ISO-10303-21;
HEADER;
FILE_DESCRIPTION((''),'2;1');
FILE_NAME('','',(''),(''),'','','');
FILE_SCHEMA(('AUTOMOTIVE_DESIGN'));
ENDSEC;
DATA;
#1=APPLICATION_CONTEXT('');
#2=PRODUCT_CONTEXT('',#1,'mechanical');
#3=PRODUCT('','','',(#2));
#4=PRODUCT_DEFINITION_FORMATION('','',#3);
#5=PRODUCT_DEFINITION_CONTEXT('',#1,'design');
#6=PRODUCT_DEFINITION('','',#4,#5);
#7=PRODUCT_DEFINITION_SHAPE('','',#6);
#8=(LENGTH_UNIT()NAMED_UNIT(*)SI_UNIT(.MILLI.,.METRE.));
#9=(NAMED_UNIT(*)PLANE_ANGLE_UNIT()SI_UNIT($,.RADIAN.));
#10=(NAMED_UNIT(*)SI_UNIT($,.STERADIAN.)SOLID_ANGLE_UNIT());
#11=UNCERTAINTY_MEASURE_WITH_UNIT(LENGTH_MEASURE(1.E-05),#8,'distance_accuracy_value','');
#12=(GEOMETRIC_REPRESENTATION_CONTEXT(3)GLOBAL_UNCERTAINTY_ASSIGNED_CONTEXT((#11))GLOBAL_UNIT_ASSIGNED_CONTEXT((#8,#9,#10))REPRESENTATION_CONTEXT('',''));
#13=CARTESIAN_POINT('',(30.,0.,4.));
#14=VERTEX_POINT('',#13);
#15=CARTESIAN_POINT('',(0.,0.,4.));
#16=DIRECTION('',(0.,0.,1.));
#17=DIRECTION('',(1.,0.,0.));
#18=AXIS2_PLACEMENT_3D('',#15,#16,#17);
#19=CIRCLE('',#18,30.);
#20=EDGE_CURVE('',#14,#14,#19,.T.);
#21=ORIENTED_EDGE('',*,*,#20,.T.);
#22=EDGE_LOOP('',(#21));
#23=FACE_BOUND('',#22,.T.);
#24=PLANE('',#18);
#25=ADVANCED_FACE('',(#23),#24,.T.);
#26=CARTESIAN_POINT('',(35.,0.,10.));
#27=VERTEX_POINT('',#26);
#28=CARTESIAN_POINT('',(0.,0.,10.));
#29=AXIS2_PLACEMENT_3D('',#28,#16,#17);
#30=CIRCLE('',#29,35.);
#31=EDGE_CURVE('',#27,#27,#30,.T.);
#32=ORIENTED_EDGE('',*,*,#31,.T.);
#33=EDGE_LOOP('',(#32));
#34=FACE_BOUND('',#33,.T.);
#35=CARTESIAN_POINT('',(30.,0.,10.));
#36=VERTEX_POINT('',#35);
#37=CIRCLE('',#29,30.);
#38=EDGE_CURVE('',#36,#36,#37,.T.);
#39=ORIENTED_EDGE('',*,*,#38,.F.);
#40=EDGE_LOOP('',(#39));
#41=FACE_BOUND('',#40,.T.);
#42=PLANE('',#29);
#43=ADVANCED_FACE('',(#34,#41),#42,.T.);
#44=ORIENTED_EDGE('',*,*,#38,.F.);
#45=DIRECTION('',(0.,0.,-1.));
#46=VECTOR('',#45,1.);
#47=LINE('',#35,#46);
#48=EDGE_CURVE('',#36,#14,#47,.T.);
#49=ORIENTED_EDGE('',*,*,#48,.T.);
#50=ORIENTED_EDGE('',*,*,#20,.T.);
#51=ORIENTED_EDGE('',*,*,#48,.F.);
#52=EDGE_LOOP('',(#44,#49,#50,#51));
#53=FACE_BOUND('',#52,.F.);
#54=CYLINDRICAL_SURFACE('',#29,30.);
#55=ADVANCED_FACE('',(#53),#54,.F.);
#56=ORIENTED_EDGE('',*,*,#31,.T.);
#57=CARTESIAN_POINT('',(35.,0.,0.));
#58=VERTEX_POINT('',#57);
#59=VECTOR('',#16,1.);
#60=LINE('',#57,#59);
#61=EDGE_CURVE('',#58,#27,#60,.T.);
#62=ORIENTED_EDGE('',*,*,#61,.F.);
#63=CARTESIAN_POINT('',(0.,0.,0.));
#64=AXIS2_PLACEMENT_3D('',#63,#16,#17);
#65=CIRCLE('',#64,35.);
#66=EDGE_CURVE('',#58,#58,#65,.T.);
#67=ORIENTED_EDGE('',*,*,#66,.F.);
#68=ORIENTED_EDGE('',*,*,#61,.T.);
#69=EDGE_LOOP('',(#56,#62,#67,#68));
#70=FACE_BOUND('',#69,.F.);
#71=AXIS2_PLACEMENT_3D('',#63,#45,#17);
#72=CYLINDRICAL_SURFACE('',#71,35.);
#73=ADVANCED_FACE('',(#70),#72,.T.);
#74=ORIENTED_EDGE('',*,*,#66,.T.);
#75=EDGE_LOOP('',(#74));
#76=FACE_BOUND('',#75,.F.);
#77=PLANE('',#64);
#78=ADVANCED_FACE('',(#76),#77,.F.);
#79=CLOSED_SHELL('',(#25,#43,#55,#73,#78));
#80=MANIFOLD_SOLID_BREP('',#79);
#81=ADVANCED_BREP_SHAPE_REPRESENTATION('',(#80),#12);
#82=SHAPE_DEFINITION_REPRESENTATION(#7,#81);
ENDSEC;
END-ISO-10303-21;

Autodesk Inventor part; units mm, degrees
ref_plane "YZ Plane" through (0, 0, 0) normal (1, 0, 0) x (0, 1, 0)
ref_plane "XZ Plane" through (0, 0, 0) normal (0, 1, 0) x (-1, 0, 0)
ref_plane "XY Plane" through (0, 0, 0) normal (0, 0, 1) x (1, 0, 0)
sketch "Sketch1" plane through (0, 0, 0) normal (0, 0, 1) x (1, 0, 0)
  circle A0 centre (0, 0) radius 35
  dimension "d0" = 70
extrude "Extrusion1" add sketch "Sketch1" along normal blind 10
sketch "Sketch2" plane through (0, 0, 10) normal (0, 0, 1) x (1, 0, 0)
  circle A0 centre (0, 0) radius 35 projected
  circle A1 centre (0, 0) radius 30
  dimension "d4" = 60
extrude "Extrusion2" cut sketch "Sketch2" against normal blind 6 contours A1
properties part number "NDM 4.0.3 подставка домкрата" material "Stainless Steel"
